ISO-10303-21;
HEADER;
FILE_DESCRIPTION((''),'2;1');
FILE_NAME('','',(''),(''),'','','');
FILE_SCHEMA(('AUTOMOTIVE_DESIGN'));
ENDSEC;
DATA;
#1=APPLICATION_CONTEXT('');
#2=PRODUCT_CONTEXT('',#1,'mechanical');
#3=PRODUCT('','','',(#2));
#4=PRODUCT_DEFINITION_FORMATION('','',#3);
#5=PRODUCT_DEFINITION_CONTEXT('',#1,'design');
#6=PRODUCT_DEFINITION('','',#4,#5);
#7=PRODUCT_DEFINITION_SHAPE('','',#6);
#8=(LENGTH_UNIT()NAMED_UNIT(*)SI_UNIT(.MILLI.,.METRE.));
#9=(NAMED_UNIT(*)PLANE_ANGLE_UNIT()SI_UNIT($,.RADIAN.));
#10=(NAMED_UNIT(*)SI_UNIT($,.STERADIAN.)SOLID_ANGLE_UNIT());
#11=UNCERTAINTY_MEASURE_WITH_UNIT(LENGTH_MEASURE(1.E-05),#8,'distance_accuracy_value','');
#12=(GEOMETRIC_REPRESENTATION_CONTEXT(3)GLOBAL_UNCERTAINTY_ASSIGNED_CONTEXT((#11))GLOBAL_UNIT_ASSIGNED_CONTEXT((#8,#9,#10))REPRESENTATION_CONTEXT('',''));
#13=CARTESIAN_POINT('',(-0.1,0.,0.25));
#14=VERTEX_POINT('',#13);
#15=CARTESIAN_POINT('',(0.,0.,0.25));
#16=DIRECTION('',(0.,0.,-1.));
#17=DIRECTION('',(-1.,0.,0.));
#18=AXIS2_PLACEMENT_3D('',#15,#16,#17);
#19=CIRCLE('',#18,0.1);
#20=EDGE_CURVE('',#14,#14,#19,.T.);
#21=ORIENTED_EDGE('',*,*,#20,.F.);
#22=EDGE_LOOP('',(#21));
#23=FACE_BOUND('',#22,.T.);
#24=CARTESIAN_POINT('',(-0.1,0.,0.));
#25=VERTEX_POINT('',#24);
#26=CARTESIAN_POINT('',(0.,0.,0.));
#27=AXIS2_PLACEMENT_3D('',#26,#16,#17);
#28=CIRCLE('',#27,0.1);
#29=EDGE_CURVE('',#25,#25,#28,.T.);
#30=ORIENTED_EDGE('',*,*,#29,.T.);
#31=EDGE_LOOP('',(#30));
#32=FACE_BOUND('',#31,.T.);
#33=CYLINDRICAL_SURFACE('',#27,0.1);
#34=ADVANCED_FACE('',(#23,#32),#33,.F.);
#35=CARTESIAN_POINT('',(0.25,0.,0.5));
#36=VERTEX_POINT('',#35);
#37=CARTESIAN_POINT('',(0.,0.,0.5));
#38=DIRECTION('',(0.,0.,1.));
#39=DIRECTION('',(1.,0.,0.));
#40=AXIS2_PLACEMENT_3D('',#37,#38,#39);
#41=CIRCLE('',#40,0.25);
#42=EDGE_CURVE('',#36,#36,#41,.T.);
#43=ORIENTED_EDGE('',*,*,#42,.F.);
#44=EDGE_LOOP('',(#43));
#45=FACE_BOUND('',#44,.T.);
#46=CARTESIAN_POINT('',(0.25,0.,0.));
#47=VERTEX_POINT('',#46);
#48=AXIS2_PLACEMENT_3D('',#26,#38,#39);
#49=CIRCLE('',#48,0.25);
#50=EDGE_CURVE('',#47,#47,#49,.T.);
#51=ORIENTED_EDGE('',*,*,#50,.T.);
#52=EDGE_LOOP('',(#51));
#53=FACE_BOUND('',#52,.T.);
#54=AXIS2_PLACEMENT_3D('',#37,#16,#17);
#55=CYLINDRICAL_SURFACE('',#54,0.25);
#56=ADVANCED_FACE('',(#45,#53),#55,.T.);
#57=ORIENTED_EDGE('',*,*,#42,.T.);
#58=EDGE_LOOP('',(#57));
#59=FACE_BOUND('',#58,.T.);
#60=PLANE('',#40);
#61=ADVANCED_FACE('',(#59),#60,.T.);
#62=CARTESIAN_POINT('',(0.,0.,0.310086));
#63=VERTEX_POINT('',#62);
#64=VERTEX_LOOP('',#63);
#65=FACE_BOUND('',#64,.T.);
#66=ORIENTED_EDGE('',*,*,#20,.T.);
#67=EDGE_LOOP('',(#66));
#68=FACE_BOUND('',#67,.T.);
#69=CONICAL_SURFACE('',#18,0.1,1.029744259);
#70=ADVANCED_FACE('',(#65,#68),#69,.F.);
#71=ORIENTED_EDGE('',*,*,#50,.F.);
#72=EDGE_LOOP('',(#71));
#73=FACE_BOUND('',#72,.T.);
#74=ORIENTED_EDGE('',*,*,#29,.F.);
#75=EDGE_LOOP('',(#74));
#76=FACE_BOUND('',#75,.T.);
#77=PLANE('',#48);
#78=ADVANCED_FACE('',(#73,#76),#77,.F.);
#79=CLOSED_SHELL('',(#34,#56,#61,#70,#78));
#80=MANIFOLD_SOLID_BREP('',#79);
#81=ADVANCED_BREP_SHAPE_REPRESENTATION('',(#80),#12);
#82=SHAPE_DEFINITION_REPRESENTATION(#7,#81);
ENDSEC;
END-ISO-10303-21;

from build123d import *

# Parameters (mm, degrees)
CROQUIS1_R                          = 0.25
SALIENTE_EXTRUIR1_DEPTH             = 0.5
DI_METRO_DE_TALADRO_0_2_0_2_1_D     = 0.2
DI_METRO_DE_TALADRO_0_2_0_2_1_DEPTH = 0.25
DI_METRO_DE_TALADRO_0_2_0_2_1_TIP   = 0.060086062


with BuildPart() as part:
    # Croquis1 → Saliente-Extruir1 (new body)
    with BuildSketch(Plane.XY):
        Circle(CROQUIS1_R)
    extrude(amount=SALIENTE_EXTRUIR1_DEPTH)

    # Diámetro de taladro Ø0.2 (0.2)1
    with Locations(Plane(origin=(0, 0, 0), x_dir=(1, 0, 0), z_dir=(0, 0, -1))):
        with Locations((0, 0)):
            Hole(DI_METRO_DE_TALADRO_0_2_0_2_1_D / 2, depth=DI_METRO_DE_TALADRO_0_2_0_2_1_DEPTH)
            with Locations((0, 0, -(DI_METRO_DE_TALADRO_0_2_0_2_1_DEPTH + DI_METRO_DE_TALADRO_0_2_0_2_1_TIP / 2))):  # 118° drill point
                Cone(0, DI_METRO_DE_TALADRO_0_2_0_2_1_D / 2, DI_METRO_DE_TALADRO_0_2_0_2_1_TIP, mode=Mode.SUBTRACT)


solid = part.part
